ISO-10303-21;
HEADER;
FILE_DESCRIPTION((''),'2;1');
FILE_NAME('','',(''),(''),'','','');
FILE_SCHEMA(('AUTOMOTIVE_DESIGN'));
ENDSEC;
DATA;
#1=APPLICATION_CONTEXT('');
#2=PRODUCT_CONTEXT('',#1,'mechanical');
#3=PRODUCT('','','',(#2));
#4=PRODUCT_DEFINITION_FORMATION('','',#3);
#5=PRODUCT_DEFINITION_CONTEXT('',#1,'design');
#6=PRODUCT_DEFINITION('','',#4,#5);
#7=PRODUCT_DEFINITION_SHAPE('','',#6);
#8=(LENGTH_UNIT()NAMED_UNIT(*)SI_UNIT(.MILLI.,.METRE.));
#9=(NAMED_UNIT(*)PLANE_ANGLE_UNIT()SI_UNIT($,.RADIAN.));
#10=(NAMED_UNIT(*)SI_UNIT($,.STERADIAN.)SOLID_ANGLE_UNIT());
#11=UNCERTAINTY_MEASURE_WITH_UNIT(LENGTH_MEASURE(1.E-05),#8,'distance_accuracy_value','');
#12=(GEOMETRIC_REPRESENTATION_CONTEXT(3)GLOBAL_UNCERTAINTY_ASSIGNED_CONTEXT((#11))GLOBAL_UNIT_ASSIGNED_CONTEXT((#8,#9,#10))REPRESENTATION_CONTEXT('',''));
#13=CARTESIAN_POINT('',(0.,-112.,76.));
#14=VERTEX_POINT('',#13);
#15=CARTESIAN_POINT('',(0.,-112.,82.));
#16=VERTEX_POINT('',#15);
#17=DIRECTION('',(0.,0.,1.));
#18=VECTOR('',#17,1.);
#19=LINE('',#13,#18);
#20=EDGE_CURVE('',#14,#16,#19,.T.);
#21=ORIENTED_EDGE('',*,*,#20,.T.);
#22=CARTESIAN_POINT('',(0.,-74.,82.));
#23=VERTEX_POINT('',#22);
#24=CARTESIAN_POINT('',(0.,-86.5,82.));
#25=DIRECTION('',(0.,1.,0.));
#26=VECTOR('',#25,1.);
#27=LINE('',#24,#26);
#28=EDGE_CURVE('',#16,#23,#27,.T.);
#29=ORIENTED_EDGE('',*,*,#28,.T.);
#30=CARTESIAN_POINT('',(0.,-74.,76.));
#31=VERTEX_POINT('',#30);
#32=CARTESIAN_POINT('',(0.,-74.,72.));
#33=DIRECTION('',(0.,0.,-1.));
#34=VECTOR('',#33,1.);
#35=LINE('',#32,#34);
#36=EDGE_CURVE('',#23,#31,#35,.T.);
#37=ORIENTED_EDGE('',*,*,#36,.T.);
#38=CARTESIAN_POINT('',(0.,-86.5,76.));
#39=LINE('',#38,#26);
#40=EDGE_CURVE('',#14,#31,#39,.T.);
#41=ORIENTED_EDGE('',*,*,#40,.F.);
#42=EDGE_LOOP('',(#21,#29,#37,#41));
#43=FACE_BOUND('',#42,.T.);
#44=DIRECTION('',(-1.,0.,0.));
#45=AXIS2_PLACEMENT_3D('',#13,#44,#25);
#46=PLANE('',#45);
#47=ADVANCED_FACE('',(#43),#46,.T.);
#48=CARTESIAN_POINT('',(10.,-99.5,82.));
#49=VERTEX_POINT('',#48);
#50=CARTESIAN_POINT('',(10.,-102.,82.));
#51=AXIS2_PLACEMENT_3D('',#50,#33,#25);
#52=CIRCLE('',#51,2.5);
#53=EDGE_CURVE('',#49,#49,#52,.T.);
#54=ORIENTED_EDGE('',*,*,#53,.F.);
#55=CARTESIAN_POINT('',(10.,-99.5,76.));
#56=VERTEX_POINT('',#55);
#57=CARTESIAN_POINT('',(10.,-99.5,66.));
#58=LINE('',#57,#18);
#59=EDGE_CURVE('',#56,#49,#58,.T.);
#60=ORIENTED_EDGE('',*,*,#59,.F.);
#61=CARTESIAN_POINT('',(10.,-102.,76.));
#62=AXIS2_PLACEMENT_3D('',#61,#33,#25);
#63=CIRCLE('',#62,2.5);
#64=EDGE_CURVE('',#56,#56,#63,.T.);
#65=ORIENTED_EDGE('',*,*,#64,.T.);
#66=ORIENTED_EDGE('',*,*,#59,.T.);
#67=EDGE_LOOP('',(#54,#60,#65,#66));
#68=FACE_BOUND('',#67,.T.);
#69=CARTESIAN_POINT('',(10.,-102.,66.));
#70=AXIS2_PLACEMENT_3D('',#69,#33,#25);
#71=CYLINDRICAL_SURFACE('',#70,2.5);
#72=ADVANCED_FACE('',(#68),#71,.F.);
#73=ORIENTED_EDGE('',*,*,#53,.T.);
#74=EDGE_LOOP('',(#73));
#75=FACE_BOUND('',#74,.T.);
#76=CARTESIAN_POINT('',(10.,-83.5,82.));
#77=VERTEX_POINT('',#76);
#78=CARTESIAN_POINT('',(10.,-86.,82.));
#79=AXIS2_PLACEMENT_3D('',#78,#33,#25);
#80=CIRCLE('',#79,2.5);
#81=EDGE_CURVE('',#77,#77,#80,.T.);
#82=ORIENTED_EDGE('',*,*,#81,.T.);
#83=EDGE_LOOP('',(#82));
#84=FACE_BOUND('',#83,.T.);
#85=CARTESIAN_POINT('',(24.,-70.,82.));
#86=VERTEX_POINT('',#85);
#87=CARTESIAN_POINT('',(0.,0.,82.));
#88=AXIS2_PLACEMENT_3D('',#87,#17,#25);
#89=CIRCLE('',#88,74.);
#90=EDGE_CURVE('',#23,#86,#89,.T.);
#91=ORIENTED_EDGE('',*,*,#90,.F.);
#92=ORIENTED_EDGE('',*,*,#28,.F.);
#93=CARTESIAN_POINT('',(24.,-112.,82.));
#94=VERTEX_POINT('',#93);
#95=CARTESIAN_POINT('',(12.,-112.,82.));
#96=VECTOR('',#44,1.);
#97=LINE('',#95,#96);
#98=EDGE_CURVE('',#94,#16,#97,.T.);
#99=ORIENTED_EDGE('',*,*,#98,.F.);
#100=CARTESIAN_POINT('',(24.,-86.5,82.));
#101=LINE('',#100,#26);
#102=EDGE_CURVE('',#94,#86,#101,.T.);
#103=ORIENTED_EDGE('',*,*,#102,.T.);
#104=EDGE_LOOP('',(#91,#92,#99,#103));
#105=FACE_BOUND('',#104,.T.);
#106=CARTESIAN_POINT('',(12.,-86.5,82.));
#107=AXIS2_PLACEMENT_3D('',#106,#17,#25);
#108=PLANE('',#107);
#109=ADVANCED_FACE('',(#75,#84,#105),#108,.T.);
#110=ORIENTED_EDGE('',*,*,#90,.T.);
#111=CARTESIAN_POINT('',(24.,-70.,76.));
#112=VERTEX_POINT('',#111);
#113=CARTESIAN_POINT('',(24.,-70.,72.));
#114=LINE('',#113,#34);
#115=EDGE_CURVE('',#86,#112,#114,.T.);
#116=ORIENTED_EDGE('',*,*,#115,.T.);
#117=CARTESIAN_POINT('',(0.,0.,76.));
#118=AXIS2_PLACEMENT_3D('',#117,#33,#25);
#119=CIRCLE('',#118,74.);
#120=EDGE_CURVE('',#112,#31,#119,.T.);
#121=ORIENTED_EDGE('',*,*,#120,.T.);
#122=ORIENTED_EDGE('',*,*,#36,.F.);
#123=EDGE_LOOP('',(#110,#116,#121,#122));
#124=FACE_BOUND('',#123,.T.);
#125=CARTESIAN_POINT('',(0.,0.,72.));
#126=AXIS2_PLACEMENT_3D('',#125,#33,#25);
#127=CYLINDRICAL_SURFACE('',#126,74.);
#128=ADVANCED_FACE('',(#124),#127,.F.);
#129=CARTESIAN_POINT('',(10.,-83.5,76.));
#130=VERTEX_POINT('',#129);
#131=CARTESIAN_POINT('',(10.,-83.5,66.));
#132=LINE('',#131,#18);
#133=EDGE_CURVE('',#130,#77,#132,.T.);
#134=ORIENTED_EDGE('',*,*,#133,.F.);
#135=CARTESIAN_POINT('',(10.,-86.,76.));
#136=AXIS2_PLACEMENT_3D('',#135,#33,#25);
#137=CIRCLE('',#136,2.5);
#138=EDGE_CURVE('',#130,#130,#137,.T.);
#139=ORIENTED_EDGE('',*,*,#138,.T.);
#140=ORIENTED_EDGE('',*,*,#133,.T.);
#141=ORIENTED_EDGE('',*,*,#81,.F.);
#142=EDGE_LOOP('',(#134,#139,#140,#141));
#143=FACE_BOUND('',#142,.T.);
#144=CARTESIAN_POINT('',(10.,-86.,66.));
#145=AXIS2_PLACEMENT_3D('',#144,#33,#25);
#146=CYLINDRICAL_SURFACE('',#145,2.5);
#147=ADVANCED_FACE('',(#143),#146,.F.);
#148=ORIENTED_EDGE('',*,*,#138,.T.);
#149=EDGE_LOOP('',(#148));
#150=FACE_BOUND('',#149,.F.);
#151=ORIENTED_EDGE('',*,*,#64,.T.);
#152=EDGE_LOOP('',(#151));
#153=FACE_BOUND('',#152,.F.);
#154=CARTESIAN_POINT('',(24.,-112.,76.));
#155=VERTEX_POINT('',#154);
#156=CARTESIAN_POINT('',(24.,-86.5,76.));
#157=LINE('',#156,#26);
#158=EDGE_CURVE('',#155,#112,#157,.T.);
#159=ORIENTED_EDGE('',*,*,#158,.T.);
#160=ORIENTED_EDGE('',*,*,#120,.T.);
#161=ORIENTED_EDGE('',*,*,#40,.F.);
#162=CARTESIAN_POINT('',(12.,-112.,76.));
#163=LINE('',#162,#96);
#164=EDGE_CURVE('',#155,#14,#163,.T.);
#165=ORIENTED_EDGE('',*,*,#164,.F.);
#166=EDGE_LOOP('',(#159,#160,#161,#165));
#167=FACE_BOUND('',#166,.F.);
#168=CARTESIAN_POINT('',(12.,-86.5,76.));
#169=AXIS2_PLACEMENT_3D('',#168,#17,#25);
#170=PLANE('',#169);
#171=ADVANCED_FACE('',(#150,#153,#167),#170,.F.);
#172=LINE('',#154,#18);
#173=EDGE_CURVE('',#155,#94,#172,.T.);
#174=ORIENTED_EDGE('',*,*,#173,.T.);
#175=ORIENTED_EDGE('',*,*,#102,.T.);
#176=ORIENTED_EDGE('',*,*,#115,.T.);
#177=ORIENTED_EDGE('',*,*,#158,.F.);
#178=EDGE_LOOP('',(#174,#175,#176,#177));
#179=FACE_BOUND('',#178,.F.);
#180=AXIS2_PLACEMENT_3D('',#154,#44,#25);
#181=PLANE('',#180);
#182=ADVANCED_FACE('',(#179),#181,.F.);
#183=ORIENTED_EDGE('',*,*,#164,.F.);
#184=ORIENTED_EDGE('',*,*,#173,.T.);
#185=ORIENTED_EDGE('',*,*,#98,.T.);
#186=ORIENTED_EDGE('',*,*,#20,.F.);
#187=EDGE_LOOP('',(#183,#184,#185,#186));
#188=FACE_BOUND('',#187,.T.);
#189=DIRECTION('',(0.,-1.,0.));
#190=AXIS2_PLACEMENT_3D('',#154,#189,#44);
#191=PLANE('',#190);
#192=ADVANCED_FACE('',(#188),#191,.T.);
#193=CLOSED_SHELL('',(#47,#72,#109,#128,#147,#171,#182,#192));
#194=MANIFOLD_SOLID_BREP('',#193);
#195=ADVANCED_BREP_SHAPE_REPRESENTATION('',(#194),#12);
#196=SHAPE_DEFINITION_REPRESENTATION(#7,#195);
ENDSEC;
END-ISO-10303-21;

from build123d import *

# Parameters (mm, degrees)
CYLINDER963_R          = 2.5
CYLINDER963_DEPTH      = 20
CYLINDER961_R          = 2.5
CYLINDER961_DEPTH      = 20
CYLINDER962_R          = 74
CYLINDER962_DEPTH      = 10
BOX477_W               = 51
BOX477_H               = 24
BOX477_DEPTH           = 6
CUT444_PLACEMENT_ANGLE = 90


with BuildPart() as v_lec963:
    # Cylinder963 → Cylinder963 (new body)
    with BuildSketch(Plane(origin=(-86, -10, 66), x_dir=(1, 0, 0), z_dir=(0, 0, 1))):
        Circle(CYLINDER963_R)
    extrude(amount=CYLINDER963_DEPTH)


with BuildPart() as compound519:
    # Cylinder961 → Cylinder961 (new body)
    with BuildSketch(Plane(origin=(-102, -10, 66), x_dir=(1, 0, 0), z_dir=(0, 0, 1))):
        Circle(CYLINDER961_R)
    extrude(amount=CYLINDER961_DEPTH)

    # Compound519: union Válec963
    add(v_lec963.part)


with BuildPart() as v_lec962:
    # Cylinder962 → Cylinder962 (new body)
    with BuildSketch(Plane.XY.offset(72)):
        Circle(CYLINDER962_R)
    extrude(amount=CYLINDER962_DEPTH)


with BuildPart() as cut444:
    # Box477 → Box477 (new body)
    with BuildSketch(Plane(origin=(-112, -24, 76), x_dir=(1, 0, 0), z_dir=(0, 0, 1))):
        with Locations((25.5, 12)):
            Rectangle(BOX477_W, BOX477_H)
    extrude(amount=BOX477_DEPTH)

    # Cut445: cut Válec962
    add(v_lec962.part, mode=Mode.SUBTRACT)

    # Cut444: cut Compound519
    add(compound519.part, mode=Mode.SUBTRACT)


with BuildPart() as cut444_1:
    # Cut444 placement: moved
    add(cut444.part.rotate(Axis((0, 0, 0), (0, 0, 1)), CUT444_PLACEMENT_ANGLE))


solid = cut444_1.part
